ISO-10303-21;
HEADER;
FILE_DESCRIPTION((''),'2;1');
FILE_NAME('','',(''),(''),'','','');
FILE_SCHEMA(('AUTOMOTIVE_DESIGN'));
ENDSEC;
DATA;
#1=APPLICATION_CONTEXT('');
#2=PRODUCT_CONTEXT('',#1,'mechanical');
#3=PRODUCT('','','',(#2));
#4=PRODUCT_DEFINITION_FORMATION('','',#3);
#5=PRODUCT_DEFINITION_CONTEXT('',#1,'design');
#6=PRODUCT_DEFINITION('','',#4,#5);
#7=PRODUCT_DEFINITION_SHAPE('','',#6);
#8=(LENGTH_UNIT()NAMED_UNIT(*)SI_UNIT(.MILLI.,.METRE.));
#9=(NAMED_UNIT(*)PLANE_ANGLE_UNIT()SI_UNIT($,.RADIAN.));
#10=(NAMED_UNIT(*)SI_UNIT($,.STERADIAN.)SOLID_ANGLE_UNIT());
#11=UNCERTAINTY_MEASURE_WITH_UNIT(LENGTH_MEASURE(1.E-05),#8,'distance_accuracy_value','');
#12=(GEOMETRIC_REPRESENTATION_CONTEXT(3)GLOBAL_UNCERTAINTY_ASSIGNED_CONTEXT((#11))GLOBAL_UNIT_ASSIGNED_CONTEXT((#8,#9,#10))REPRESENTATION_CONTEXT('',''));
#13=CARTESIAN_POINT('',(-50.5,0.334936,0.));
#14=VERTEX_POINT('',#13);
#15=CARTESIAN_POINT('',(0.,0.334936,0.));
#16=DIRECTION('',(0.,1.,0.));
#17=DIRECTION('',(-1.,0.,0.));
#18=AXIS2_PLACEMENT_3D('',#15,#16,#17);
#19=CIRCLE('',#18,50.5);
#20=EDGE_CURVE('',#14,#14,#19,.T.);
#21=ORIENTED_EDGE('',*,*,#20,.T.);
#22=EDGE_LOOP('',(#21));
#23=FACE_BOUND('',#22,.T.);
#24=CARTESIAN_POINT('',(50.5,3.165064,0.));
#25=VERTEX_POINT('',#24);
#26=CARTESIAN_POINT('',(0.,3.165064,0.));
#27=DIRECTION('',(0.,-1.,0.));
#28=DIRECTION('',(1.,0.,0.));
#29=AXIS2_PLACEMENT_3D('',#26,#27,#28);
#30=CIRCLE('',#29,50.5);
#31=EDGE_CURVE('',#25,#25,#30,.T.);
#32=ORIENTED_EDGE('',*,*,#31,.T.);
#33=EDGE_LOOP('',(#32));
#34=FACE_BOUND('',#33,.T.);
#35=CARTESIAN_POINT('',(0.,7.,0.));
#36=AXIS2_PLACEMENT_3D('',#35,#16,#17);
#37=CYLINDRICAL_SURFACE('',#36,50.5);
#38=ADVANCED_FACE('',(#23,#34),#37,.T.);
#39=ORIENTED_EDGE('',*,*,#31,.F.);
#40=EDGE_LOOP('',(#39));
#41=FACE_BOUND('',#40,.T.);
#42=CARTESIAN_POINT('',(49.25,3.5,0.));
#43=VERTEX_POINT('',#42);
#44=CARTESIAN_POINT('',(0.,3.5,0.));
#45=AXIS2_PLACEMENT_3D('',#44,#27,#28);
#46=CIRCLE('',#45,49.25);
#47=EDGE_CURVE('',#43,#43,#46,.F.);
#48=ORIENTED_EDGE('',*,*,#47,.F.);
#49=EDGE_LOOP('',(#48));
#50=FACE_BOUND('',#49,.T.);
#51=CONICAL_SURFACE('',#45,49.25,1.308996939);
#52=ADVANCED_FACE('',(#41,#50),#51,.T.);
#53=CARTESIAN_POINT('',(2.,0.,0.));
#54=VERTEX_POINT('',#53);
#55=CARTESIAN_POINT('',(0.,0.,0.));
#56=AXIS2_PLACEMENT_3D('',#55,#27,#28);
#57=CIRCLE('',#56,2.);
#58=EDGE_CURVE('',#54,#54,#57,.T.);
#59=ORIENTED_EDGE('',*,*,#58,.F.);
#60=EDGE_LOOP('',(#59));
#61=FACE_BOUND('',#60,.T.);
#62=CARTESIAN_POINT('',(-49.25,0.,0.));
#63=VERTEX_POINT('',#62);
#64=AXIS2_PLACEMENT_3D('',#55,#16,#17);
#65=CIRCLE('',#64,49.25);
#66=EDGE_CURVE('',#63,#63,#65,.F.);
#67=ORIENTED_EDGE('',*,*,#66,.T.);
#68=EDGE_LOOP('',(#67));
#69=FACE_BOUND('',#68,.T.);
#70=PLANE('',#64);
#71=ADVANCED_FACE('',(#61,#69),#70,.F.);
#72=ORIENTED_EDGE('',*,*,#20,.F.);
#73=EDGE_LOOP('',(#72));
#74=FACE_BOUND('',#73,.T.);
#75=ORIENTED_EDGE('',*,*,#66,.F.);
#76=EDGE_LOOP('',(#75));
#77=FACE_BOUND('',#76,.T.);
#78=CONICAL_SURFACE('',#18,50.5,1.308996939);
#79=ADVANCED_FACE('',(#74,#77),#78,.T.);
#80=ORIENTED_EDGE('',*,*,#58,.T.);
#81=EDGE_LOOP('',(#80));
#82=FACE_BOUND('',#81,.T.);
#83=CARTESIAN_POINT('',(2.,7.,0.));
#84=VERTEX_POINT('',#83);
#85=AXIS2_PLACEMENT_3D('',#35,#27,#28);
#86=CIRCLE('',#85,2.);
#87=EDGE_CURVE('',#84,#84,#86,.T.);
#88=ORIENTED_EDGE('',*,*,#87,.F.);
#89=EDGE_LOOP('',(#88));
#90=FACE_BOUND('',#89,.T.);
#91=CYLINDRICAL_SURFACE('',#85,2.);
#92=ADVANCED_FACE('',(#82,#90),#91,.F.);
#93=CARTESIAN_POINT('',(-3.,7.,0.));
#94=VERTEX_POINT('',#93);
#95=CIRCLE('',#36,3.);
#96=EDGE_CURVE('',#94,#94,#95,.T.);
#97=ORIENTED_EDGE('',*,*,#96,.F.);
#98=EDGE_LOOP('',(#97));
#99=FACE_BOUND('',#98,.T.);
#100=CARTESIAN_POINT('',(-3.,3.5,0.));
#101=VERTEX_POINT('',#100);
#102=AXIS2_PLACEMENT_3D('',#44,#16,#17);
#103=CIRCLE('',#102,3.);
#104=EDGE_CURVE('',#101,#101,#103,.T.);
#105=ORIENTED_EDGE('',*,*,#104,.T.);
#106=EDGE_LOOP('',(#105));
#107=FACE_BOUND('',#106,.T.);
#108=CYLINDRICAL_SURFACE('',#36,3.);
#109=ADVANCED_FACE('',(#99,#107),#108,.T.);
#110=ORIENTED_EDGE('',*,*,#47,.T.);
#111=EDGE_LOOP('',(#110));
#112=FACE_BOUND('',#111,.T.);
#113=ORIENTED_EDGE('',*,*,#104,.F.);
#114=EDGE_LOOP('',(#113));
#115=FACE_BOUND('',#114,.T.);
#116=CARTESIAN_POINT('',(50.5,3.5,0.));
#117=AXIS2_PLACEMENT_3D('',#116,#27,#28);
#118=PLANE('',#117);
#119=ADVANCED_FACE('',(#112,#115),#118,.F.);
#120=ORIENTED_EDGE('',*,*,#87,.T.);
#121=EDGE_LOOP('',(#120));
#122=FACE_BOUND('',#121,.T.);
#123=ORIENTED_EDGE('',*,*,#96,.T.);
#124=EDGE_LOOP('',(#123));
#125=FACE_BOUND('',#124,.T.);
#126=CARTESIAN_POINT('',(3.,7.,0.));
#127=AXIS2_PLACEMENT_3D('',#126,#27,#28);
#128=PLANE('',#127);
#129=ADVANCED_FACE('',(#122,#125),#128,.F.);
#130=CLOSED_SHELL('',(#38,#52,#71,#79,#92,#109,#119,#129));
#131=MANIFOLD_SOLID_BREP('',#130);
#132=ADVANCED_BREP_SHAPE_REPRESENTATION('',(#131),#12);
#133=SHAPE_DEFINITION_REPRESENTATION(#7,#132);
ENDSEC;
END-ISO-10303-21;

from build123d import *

# Parameters (mm, degrees)
CHAMFER_1_SIZE           = 1.25
CHAMFER_1_SIZE2          = 0.334936491
CHAMFER_2_SIZE           = 1.25
CHAMFER_2_SIZE2          = 0.334936491
SKETCH_2_R               = 2
CUT_EXTRUDE_3_DEPTH      = 1
CUT_EXTRUDE_3_DEPTH_BACK = 8


with BuildPart() as part:
    # Эскиз1 → Повернуть2 (revolve)
    with BuildSketch(Plane.XY):
        Polygon((0, 0), (50.5, 0), (50.5, 3.5), (3, 3.5), (3, 7), (0, 7), align=None)
    revolve(axis=Axis((0, 7, 0), (0, -1, 0)))

    # Фаска1
    chamfer_1_edges = [part.edges().sort_by_distance(p)[0] for p in [
        (-50.5, 3.5, 0),
    ]]
    chamfer_1_side = [part.faces().sort_by_distance(p)[0] for p in [
        (-49.071644302, 3.5, 0),
    ]]
    chamfer(chamfer_1_edges, length=CHAMFER_1_SIZE, length2=CHAMFER_1_SIZE2, reference=chamfer_1_side[0])

    # Фаска2
    chamfer_2_edges = [part.edges().sort_by_distance(p)[0] for p in [
        (-50.5, 0, 0),
    ]]
    chamfer_2_side = [part.faces().sort_by_distance(p)[0] for p in [
        (0, 0, 0),
    ]]
    chamfer(chamfer_2_edges, length=CHAMFER_2_SIZE, length2=CHAMFER_2_SIZE2, reference=chamfer_2_side[0])

    # Эскиз2 → Вырез-Вытянуть3 (cut, two sides)
    with BuildSketch(Plane(origin=(0, 0, 0), x_dir=(-1, 0, 0), z_dir=(0, -1, 0))) as cut_extrude_3_sk:
        Circle(SKETCH_2_R)
    extrude(amount=CUT_EXTRUDE_3_DEPTH, mode=Mode.SUBTRACT)
    extrude(cut_extrude_3_sk.sketch, amount=-CUT_EXTRUDE_3_DEPTH_BACK, mode=Mode.SUBTRACT)


solid = part.part
